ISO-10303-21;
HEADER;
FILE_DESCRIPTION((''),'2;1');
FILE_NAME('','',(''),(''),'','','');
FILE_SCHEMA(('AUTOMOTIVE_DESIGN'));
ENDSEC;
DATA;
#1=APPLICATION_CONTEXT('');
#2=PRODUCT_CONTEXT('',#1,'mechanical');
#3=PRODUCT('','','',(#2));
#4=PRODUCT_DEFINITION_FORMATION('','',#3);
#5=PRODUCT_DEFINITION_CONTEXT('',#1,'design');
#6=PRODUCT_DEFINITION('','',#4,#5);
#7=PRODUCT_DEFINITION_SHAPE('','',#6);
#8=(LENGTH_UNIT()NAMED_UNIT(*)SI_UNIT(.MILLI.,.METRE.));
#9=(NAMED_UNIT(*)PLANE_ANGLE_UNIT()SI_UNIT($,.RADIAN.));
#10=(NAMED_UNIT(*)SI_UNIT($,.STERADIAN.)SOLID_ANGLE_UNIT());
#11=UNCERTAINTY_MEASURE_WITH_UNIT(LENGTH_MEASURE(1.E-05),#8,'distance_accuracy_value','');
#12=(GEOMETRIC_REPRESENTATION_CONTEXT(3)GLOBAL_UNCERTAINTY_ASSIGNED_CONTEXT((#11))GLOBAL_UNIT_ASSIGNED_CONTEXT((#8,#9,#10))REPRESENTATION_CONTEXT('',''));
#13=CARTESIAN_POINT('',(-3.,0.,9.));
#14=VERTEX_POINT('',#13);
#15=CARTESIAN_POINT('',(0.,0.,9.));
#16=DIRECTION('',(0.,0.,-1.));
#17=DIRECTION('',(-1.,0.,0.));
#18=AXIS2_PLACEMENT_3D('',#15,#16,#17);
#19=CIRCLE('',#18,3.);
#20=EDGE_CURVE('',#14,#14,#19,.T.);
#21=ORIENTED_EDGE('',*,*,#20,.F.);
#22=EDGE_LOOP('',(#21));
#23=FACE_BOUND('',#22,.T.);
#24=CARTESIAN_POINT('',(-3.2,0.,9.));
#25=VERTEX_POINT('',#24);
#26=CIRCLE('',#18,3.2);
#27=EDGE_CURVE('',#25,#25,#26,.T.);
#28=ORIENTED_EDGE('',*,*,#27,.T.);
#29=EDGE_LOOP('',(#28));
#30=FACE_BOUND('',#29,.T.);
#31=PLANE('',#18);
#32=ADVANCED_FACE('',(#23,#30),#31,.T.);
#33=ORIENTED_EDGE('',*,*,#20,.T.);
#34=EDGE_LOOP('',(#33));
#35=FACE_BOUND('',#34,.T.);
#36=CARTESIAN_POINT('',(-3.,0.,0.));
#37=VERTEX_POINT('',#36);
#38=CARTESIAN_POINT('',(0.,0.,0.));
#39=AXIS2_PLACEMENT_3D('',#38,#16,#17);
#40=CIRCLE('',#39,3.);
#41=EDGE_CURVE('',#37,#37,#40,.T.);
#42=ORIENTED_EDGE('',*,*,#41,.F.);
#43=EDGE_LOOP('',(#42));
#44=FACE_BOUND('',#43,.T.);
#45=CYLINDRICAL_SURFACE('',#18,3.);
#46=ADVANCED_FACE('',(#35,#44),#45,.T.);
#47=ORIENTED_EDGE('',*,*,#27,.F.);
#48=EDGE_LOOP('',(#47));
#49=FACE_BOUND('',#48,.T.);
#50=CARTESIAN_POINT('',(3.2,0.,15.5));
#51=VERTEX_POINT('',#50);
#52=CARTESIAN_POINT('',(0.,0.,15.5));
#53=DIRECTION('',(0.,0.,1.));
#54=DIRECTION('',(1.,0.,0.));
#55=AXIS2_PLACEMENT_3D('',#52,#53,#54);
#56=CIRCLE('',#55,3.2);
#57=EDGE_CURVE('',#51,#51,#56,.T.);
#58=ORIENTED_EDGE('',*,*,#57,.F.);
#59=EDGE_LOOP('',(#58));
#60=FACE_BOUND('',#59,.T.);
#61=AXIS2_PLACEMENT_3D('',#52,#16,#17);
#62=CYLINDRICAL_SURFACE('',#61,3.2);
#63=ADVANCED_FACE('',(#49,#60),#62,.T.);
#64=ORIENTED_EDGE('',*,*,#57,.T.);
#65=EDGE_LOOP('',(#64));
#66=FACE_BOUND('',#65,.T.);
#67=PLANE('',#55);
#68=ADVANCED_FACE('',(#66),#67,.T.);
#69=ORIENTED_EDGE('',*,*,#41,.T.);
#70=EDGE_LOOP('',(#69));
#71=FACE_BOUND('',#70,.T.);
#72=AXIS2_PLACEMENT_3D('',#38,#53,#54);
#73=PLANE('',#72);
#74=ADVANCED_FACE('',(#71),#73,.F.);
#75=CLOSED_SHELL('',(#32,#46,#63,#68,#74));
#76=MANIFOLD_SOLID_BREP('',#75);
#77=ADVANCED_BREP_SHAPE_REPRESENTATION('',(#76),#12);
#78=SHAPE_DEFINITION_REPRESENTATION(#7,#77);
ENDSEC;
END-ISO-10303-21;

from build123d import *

# Parameters (mm, degrees)
SKETCH1_R           = 3.2
BOSS_EXTRUDE1_DEPTH = 15.5
SKETCH2_R           = 3.2
SKETCH2_R_2         = 3
CUT_EXTRUDE1_DEPTH  = 9


with BuildPart() as part:
    # Sketch1 → Boss-Extrude1 (new body)
    with BuildSketch(Plane.XY):
        Circle(SKETCH1_R)
    extrude(amount=BOSS_EXTRUDE1_DEPTH)

    # Sketch2 → Cut-Extrude1 (cut)
    with BuildSketch(Plane(origin=(0, 0, 0), x_dir=(-1, 0, 0), z_dir=(0, 0, -1))):
        Circle(SKETCH2_R)
        Circle(SKETCH2_R_2, mode=Mode.SUBTRACT)
    extrude(amount=-CUT_EXTRUDE1_DEPTH, mode=Mode.SUBTRACT)


solid = part.part
